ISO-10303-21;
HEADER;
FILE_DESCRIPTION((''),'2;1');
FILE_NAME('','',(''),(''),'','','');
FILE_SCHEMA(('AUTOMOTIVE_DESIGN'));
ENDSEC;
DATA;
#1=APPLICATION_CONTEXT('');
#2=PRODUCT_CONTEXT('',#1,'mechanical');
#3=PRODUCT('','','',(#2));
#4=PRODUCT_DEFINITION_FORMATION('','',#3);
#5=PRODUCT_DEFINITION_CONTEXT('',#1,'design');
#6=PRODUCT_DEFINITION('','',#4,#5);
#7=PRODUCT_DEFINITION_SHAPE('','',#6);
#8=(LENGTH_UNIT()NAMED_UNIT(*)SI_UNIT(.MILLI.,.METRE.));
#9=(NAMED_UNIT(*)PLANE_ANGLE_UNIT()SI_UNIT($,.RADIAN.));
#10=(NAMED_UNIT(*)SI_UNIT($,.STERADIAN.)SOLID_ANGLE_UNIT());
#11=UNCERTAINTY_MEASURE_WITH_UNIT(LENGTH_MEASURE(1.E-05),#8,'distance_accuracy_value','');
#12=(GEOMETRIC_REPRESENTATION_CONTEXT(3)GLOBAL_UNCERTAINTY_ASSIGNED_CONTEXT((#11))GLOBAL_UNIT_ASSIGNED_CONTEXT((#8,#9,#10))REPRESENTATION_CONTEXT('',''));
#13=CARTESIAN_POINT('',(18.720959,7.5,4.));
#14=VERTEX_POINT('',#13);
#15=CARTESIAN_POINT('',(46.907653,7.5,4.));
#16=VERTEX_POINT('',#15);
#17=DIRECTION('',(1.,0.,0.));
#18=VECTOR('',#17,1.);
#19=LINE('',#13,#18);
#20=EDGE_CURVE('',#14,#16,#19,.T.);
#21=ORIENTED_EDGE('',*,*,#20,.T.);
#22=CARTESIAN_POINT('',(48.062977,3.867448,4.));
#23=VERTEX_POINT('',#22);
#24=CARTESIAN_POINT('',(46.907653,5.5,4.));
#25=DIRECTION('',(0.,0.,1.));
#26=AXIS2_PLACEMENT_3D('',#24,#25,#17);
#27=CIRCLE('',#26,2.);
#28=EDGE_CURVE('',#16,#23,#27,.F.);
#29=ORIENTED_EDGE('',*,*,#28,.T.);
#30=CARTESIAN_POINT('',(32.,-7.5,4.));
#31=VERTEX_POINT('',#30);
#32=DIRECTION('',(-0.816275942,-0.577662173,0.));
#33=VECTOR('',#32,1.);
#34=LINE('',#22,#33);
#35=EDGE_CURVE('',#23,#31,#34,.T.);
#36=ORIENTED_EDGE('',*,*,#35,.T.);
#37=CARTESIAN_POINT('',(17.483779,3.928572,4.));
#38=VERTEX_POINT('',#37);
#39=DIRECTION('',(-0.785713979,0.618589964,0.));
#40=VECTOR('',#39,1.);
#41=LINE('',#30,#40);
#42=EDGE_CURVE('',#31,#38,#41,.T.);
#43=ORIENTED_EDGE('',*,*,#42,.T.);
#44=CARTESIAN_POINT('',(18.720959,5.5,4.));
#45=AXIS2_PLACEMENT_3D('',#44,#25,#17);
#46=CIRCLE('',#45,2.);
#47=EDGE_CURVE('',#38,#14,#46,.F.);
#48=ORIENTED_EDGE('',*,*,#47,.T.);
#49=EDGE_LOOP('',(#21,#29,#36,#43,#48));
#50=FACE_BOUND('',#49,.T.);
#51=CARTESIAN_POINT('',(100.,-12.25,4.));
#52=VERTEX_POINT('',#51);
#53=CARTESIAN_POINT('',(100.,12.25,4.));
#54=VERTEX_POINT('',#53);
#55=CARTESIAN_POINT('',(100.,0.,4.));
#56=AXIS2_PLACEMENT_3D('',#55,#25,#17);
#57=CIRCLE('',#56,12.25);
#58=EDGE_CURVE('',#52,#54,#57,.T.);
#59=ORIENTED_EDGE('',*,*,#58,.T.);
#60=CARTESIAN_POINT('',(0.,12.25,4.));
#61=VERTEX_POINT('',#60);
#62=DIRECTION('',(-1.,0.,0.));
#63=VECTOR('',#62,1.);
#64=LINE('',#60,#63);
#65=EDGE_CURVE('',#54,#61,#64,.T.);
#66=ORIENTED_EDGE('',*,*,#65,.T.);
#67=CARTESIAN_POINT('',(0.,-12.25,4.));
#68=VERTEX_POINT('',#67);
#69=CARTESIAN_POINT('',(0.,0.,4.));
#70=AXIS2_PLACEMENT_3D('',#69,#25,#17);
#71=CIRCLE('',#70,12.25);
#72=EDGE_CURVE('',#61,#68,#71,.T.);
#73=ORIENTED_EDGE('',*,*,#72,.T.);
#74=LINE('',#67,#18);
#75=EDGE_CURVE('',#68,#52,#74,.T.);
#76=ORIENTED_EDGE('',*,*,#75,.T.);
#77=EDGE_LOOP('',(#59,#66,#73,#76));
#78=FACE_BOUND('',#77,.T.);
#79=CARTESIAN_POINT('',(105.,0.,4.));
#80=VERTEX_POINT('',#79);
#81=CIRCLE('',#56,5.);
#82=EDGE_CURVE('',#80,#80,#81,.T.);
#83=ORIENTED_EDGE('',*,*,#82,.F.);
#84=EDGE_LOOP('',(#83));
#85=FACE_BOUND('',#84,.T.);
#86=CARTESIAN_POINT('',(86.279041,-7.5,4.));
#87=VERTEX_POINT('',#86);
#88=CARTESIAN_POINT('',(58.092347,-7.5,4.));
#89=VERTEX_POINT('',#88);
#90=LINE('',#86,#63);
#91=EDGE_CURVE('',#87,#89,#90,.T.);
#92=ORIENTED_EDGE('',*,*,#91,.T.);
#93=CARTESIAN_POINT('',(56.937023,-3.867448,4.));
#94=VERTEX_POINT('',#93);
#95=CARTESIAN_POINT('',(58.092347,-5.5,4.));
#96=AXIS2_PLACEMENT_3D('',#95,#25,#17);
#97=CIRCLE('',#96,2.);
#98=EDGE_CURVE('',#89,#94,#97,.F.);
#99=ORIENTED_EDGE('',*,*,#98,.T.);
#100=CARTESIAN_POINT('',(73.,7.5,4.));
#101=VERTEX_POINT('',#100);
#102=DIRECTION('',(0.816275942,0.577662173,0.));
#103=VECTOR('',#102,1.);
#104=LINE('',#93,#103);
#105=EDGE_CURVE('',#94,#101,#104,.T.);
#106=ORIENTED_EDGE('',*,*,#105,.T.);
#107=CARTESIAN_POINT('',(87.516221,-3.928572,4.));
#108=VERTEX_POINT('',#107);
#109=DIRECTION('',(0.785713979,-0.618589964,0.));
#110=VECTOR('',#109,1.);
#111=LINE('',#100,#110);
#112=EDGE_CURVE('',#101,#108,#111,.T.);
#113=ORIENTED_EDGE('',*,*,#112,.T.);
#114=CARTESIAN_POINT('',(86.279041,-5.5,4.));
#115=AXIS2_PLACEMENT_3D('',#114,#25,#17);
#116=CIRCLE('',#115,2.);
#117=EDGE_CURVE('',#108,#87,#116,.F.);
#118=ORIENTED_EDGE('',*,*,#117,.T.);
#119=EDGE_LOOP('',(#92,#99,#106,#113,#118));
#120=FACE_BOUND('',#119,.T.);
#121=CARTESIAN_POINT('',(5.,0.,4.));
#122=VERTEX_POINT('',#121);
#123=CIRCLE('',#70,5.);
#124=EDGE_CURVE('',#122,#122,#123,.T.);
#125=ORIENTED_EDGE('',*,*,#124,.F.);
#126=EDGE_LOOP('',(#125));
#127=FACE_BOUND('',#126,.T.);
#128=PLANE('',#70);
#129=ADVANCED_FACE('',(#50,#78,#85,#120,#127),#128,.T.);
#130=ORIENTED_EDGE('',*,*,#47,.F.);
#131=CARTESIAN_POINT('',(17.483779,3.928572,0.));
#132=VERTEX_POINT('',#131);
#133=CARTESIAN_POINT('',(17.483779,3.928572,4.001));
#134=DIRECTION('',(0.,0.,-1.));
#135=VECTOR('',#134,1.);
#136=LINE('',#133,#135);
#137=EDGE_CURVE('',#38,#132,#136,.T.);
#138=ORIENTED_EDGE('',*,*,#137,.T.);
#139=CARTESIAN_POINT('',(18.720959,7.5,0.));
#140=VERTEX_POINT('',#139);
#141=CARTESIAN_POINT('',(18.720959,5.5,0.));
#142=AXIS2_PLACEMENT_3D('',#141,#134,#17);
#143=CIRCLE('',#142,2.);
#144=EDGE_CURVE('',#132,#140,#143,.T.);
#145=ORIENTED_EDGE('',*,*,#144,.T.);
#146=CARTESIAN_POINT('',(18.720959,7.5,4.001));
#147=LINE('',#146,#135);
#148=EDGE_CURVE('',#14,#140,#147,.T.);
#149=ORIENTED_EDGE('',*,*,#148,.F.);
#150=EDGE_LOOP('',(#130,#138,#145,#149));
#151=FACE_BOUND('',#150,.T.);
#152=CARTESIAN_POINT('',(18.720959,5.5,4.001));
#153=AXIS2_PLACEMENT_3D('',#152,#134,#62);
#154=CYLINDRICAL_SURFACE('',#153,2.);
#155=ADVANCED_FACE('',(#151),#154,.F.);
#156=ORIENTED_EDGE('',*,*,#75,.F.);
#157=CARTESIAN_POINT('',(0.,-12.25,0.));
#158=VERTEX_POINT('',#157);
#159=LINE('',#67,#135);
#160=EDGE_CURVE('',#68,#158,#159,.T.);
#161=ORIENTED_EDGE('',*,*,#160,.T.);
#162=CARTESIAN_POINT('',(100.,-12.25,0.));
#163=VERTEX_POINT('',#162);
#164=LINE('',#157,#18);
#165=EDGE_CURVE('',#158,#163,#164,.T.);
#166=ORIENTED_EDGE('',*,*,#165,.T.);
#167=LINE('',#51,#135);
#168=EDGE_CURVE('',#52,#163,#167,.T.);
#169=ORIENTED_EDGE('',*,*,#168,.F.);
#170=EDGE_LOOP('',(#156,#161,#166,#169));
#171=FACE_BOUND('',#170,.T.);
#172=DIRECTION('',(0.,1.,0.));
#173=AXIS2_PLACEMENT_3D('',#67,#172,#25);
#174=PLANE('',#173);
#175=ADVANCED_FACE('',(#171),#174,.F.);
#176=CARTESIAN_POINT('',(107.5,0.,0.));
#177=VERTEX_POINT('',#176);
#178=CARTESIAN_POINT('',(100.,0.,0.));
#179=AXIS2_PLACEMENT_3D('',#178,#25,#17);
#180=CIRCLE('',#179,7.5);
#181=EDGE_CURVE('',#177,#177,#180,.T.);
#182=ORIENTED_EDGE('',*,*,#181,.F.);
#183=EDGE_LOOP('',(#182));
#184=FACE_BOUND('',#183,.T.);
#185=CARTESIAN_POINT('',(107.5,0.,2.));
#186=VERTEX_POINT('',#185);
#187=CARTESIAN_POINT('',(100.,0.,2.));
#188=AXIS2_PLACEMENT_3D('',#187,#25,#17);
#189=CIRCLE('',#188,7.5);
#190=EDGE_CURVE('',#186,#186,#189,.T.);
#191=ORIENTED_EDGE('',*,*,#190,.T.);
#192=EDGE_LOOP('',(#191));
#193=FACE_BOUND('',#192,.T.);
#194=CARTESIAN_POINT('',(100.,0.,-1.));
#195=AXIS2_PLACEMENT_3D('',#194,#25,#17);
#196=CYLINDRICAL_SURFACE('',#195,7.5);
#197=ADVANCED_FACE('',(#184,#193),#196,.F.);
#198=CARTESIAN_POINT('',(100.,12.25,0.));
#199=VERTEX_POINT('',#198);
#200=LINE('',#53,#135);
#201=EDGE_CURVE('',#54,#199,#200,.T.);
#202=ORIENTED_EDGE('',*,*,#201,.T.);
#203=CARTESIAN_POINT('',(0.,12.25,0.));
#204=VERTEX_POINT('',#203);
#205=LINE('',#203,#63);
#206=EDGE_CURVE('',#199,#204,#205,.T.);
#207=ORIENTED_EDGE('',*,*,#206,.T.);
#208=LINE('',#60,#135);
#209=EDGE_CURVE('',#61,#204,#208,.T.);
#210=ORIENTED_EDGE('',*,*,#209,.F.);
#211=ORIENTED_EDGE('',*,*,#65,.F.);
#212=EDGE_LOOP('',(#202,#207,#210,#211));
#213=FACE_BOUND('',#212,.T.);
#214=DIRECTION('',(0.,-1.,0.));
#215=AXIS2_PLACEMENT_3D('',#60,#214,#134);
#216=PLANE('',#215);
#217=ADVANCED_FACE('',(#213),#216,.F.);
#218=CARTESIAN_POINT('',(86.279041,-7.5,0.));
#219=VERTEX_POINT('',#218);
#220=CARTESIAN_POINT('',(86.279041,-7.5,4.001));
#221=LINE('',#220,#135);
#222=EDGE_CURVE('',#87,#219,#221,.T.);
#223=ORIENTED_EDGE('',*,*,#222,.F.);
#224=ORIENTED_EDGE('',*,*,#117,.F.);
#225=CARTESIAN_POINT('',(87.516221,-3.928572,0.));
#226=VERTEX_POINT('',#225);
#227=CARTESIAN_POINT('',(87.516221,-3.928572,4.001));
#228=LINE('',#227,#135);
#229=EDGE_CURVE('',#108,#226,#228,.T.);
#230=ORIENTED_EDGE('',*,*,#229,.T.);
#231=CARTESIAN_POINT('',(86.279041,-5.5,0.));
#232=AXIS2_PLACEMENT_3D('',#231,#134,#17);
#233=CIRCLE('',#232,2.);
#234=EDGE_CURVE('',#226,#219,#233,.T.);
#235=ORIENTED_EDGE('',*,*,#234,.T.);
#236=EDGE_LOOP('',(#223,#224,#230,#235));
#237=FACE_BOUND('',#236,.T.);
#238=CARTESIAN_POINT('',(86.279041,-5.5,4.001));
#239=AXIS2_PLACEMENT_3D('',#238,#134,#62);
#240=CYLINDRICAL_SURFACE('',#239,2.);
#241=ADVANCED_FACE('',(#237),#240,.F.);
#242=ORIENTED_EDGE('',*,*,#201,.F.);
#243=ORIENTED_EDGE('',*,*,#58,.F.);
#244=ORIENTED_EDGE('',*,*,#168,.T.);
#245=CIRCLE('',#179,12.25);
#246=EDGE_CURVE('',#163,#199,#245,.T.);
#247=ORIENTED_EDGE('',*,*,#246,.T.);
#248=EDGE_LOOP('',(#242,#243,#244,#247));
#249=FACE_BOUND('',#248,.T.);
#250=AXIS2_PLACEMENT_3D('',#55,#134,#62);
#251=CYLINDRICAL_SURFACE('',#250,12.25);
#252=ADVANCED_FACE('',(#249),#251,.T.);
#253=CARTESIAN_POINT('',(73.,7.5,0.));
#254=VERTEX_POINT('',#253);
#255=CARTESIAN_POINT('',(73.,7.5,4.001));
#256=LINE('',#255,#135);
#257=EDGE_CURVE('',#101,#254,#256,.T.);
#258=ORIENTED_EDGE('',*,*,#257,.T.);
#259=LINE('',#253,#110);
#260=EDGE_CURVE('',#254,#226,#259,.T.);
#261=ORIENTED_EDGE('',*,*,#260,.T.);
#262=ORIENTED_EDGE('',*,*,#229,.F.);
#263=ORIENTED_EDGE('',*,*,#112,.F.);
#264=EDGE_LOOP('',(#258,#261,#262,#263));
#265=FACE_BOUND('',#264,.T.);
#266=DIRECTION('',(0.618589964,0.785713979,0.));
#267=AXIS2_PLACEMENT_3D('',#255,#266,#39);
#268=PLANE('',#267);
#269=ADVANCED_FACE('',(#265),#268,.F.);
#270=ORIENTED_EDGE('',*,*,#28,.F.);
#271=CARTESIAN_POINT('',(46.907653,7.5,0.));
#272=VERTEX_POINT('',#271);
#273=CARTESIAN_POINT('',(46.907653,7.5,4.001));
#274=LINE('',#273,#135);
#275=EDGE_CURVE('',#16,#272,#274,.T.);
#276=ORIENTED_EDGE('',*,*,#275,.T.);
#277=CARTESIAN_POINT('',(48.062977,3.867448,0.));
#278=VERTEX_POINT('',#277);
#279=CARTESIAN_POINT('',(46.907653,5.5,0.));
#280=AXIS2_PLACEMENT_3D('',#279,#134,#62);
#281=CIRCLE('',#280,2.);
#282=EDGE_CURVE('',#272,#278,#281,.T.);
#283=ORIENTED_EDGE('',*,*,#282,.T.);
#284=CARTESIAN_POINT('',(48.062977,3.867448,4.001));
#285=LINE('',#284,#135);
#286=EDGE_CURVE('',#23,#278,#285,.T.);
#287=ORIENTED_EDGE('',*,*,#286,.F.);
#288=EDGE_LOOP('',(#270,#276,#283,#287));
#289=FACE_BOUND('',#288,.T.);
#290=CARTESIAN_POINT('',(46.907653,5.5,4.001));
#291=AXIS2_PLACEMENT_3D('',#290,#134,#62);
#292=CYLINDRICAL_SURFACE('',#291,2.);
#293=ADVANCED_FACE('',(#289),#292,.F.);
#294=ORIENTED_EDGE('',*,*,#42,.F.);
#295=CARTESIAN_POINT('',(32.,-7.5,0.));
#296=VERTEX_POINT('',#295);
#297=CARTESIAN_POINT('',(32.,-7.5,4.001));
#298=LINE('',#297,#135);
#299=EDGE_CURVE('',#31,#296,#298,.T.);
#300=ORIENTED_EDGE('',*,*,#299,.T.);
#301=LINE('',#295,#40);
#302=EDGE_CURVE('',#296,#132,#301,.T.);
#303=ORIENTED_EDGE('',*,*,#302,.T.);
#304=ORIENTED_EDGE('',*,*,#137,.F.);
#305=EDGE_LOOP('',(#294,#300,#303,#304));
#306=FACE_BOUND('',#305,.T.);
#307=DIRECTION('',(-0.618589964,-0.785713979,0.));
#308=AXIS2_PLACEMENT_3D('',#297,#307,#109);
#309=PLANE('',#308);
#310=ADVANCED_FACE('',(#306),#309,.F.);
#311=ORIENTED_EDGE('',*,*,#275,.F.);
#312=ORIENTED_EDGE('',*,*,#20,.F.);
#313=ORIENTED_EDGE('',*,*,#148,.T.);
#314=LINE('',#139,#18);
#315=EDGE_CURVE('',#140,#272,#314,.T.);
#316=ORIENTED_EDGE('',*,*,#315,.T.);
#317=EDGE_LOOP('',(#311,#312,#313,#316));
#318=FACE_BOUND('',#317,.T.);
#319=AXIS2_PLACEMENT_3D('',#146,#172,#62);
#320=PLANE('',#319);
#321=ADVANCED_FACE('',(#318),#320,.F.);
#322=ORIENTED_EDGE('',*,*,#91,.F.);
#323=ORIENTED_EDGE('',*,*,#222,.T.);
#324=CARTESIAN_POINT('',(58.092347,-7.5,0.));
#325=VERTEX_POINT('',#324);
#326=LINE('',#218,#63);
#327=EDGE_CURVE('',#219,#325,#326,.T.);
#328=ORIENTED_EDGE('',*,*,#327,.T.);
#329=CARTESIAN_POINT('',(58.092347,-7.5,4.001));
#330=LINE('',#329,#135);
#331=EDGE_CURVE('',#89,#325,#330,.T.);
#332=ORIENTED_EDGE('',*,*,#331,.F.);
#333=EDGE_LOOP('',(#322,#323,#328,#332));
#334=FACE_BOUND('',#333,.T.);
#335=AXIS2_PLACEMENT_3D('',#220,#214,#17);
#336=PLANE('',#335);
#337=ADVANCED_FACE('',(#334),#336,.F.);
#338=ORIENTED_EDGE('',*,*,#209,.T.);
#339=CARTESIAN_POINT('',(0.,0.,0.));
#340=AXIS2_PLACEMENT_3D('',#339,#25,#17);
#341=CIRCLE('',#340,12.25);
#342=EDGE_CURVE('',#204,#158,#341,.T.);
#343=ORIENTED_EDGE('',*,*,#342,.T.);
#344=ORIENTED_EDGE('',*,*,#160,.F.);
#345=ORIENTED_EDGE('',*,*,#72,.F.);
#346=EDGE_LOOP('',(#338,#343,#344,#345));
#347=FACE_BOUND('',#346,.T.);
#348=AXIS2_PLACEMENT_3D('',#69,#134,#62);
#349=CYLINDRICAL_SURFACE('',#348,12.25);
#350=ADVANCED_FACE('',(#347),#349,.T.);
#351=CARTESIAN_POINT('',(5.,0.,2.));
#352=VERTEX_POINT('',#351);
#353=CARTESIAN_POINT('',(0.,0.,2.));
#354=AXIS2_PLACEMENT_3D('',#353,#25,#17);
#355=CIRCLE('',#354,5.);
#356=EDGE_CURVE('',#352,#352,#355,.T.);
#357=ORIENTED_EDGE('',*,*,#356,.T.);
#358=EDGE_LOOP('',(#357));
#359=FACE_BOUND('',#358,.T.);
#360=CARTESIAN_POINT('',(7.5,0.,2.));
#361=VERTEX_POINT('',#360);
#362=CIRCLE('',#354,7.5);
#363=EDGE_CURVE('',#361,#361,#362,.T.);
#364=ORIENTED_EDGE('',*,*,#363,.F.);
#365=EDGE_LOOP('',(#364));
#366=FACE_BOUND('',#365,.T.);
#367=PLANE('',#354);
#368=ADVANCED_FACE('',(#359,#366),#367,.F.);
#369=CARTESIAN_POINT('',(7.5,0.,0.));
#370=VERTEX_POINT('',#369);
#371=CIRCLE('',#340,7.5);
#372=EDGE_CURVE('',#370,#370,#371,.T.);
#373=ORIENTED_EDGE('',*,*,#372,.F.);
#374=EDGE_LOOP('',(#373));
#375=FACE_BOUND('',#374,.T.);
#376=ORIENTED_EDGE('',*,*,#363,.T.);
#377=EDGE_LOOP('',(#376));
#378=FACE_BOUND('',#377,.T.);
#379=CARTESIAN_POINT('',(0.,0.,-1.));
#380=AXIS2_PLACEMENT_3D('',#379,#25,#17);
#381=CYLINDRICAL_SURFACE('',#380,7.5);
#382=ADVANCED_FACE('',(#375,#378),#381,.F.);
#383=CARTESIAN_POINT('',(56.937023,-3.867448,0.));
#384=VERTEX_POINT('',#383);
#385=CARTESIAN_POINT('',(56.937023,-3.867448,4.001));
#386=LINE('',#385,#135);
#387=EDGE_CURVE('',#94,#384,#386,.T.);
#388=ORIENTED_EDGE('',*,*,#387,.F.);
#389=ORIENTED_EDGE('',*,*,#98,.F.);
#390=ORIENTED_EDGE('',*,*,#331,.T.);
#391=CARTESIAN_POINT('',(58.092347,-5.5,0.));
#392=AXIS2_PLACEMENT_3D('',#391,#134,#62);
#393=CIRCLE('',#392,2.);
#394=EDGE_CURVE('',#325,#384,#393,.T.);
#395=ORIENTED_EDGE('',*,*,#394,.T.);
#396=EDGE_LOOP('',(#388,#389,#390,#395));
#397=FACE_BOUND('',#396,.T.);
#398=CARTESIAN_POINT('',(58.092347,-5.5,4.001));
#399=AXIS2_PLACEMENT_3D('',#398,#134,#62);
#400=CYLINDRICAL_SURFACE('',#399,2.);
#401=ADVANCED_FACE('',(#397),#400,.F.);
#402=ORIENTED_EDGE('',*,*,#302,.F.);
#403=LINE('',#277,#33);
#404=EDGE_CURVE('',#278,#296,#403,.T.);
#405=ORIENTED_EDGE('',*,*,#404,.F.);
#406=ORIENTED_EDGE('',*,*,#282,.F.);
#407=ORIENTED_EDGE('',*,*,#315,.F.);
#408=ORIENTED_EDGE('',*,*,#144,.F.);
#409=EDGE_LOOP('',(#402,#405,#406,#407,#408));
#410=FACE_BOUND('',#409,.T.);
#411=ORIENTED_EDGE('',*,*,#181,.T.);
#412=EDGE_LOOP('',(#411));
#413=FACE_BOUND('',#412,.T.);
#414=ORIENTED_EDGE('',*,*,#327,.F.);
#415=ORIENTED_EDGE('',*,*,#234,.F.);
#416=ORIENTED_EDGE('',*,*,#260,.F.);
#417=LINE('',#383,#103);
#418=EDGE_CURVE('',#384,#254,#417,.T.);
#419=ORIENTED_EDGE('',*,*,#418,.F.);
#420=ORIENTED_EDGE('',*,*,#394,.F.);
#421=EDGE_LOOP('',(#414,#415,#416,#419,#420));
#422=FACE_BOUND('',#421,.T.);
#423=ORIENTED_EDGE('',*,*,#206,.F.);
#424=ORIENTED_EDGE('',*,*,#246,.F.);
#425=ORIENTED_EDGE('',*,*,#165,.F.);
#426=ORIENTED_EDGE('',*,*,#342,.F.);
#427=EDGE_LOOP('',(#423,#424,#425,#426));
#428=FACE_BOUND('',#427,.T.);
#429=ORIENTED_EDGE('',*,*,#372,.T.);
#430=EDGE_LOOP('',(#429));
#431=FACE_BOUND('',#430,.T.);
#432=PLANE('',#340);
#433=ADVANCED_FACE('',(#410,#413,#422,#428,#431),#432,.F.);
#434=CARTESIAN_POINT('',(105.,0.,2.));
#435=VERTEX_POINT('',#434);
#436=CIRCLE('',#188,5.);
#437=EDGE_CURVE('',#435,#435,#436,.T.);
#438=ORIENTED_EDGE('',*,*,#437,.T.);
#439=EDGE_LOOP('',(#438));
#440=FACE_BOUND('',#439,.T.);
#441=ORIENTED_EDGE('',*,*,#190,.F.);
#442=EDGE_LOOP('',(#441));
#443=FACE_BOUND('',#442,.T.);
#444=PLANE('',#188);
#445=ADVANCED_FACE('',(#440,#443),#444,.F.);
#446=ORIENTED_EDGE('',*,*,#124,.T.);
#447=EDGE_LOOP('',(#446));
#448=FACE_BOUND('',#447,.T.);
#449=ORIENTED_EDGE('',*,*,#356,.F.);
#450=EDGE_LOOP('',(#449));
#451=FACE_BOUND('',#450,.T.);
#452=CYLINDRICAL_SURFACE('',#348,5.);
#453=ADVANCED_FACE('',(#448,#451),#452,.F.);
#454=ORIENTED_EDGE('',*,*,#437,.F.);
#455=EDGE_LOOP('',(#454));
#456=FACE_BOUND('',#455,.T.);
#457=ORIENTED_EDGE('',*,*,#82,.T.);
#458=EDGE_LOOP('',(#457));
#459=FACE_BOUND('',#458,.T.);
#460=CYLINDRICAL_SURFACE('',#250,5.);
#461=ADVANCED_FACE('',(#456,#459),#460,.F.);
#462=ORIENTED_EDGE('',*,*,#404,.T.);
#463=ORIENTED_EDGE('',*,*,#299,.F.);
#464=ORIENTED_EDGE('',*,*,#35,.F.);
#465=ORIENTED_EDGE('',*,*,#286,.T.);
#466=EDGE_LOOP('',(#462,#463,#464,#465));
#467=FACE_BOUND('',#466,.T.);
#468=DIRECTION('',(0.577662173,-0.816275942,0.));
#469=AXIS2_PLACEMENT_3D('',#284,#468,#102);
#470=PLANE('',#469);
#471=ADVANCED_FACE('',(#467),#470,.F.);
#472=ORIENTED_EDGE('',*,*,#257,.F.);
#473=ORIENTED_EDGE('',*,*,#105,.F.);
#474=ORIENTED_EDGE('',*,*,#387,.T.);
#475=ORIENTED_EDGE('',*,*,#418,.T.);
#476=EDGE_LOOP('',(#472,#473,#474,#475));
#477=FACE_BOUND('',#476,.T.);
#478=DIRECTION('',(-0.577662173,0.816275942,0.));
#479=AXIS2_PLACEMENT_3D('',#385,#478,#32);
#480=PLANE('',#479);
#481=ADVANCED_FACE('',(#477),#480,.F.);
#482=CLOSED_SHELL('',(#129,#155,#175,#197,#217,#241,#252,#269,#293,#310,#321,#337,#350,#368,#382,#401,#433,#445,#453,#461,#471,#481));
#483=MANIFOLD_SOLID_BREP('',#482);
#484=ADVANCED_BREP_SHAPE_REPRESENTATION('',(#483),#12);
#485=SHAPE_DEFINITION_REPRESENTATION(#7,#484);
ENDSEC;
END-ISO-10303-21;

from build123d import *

# Parameters (mm, degrees)
SKETCH_1_R          = 5
EXTRUDE_1_DEPTH     = 4
SKETCH_4_R          = 7.5
CUT_EXTRUDE_3_DEPTH = 3
CUT_EXTRUDE_4_REACH = 6


with BuildPart() as part:
    # 草图1 → 凸台-拉伸1 (new body)
    with BuildSketch(Plane.XY):
        with BuildLine():
            Line((0, 12.25), (100, 12.25))
            ThreePointArc((100, 12.25), (112.25, 0), (100, -12.25))
            Line((100, -12.25), (0, -12.25))
            ThreePointArc((0, -12.25), (-12.25, 0), (0, 12.25))
        make_face()
        Circle(SKETCH_1_R, mode=Mode.SUBTRACT)
        with Locations((100, 0)):
            Circle(SKETCH_1_R, mode=Mode.SUBTRACT)
    extrude(amount=EXTRUDE_1_DEPTH)

    # 草图4 → 切除-拉伸3 (cut)
    with BuildSketch(Plane.XY.offset(2)):
        Circle(SKETCH_4_R)
        with Locations((100, 0)):
            Circle(SKETCH_4_R)
    extrude(amount=-CUT_EXTRUDE_3_DEPTH, mode=Mode.SUBTRACT)

    # 草图5 → 切除-拉伸4 (cut, up to next)
    with BuildSketch(Plane(origin=(0, 0, 0), x_dir=(-1, 0, 0), z_dir=(0, 0, -1)), mode=Mode.PRIVATE) as cut_extrude_4_sk1:
        with BuildLine():
            Line((-73, 7.5), (-87.516221291, -3.928572043))
            ThreePointArc((-87.516221291, -3.928572043), (-88.168863565, -6.15465414), (-86.279041363, -7.5))
            Line((-86.279041363, -7.5), (-58.092346966, -7.5))
            ThreePointArc((-58.092346966, -7.5), (-56.186421499, -6.106174988), (-56.937022619, -3.867448116))
            Line((-56.937022619, -3.867448116), (-73, 7.5))
        make_face()
    cut_extrude_4_tool1 = extrude(cut_extrude_4_sk1.sketch, amount=-CUT_EXTRUDE_4_REACH, mode=Mode.PRIVATE) & part.part
    add(cut_extrude_4_tool1.solids().sort_by_distance((72.350084, -2.302404, 0))[0], mode=Mode.SUBTRACT)
    # 草图5 → 切除-拉伸4 (cut, up to next)
    with BuildSketch(Plane(origin=(0, 0, 0), x_dir=(-1, 0, 0), z_dir=(0, 0, -1)), mode=Mode.PRIVATE) as cut_extrude_4_sk2:
        with BuildLine():
            Line((-32, -7.5), (-17.483778709, 3.928572043))
            ThreePointArc((-17.483778709, 3.928572043), (-16.831136435, 6.15465414), (-18.720958637, 7.5))
            Line((-18.720958637, 7.5), (-46.907653034, 7.5))
            ThreePointArc((-46.907653034, 7.5), (-48.813578501, 6.106174988), (-48.062977381, 3.867448116))
            Line((-48.062977381, 3.867448116), (-32, -7.5))
        make_face()
    cut_extrude_4_tool2 = extrude(cut_extrude_4_sk2.sketch, amount=-CUT_EXTRUDE_4_REACH, mode=Mode.PRIVATE) & part.part
    add(cut_extrude_4_tool2.solids().sort_by_distance((32.649916, 2.302404, 0))[0], mode=Mode.SUBTRACT)


solid = part.part
